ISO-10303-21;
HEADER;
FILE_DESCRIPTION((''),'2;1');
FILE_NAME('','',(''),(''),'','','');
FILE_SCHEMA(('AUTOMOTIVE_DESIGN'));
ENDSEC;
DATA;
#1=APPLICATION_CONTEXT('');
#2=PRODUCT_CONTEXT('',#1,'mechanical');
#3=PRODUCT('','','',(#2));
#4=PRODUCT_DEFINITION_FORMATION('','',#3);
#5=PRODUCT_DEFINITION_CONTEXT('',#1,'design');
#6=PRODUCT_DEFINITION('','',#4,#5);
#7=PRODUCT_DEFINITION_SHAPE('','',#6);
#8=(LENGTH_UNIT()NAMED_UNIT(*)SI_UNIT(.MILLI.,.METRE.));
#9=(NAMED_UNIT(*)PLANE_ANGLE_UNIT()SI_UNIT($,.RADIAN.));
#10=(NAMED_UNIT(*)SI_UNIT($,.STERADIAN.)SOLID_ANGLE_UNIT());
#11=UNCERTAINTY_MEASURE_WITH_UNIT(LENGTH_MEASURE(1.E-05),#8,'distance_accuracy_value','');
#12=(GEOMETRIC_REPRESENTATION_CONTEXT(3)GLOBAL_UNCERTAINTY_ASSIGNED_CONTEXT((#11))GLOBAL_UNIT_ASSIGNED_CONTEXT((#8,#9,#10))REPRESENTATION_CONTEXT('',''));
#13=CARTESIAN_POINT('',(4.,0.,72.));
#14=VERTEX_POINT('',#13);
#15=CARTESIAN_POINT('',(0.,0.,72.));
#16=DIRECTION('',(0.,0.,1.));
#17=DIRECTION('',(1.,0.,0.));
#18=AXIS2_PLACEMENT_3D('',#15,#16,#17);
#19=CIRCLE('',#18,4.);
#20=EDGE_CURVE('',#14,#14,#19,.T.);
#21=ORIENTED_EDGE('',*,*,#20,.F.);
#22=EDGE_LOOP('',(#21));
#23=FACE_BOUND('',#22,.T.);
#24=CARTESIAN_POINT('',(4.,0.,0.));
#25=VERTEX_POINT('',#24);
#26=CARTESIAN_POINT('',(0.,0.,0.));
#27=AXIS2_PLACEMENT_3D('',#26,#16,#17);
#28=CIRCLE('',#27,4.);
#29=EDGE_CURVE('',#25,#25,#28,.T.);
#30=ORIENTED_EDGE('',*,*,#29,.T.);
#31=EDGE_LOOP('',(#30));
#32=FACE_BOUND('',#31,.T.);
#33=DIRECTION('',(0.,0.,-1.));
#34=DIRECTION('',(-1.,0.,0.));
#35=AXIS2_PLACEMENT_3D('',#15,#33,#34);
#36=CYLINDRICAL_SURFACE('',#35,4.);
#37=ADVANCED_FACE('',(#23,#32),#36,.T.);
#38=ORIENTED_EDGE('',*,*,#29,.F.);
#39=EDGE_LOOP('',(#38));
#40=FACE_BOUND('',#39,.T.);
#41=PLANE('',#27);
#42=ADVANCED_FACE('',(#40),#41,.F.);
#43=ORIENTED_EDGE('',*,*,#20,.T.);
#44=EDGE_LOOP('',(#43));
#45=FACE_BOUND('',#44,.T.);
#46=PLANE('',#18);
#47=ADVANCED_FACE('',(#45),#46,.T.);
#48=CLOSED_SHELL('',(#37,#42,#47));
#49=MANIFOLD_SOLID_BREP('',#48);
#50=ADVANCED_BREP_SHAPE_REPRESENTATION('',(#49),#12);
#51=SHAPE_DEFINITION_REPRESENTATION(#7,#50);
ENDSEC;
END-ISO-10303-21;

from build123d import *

# Parameters (mm, degrees)
SKETCH1_R           = 4
BOSS_EXTRUDE1_DEPTH = 72


with BuildPart() as part:
    # Sketch1 → Boss-Extrude1 (new body)
    with BuildSketch(Plane.XY):
        Circle(SKETCH1_R)
    extrude(amount=BOSS_EXTRUDE1_DEPTH)


solid = part.part
